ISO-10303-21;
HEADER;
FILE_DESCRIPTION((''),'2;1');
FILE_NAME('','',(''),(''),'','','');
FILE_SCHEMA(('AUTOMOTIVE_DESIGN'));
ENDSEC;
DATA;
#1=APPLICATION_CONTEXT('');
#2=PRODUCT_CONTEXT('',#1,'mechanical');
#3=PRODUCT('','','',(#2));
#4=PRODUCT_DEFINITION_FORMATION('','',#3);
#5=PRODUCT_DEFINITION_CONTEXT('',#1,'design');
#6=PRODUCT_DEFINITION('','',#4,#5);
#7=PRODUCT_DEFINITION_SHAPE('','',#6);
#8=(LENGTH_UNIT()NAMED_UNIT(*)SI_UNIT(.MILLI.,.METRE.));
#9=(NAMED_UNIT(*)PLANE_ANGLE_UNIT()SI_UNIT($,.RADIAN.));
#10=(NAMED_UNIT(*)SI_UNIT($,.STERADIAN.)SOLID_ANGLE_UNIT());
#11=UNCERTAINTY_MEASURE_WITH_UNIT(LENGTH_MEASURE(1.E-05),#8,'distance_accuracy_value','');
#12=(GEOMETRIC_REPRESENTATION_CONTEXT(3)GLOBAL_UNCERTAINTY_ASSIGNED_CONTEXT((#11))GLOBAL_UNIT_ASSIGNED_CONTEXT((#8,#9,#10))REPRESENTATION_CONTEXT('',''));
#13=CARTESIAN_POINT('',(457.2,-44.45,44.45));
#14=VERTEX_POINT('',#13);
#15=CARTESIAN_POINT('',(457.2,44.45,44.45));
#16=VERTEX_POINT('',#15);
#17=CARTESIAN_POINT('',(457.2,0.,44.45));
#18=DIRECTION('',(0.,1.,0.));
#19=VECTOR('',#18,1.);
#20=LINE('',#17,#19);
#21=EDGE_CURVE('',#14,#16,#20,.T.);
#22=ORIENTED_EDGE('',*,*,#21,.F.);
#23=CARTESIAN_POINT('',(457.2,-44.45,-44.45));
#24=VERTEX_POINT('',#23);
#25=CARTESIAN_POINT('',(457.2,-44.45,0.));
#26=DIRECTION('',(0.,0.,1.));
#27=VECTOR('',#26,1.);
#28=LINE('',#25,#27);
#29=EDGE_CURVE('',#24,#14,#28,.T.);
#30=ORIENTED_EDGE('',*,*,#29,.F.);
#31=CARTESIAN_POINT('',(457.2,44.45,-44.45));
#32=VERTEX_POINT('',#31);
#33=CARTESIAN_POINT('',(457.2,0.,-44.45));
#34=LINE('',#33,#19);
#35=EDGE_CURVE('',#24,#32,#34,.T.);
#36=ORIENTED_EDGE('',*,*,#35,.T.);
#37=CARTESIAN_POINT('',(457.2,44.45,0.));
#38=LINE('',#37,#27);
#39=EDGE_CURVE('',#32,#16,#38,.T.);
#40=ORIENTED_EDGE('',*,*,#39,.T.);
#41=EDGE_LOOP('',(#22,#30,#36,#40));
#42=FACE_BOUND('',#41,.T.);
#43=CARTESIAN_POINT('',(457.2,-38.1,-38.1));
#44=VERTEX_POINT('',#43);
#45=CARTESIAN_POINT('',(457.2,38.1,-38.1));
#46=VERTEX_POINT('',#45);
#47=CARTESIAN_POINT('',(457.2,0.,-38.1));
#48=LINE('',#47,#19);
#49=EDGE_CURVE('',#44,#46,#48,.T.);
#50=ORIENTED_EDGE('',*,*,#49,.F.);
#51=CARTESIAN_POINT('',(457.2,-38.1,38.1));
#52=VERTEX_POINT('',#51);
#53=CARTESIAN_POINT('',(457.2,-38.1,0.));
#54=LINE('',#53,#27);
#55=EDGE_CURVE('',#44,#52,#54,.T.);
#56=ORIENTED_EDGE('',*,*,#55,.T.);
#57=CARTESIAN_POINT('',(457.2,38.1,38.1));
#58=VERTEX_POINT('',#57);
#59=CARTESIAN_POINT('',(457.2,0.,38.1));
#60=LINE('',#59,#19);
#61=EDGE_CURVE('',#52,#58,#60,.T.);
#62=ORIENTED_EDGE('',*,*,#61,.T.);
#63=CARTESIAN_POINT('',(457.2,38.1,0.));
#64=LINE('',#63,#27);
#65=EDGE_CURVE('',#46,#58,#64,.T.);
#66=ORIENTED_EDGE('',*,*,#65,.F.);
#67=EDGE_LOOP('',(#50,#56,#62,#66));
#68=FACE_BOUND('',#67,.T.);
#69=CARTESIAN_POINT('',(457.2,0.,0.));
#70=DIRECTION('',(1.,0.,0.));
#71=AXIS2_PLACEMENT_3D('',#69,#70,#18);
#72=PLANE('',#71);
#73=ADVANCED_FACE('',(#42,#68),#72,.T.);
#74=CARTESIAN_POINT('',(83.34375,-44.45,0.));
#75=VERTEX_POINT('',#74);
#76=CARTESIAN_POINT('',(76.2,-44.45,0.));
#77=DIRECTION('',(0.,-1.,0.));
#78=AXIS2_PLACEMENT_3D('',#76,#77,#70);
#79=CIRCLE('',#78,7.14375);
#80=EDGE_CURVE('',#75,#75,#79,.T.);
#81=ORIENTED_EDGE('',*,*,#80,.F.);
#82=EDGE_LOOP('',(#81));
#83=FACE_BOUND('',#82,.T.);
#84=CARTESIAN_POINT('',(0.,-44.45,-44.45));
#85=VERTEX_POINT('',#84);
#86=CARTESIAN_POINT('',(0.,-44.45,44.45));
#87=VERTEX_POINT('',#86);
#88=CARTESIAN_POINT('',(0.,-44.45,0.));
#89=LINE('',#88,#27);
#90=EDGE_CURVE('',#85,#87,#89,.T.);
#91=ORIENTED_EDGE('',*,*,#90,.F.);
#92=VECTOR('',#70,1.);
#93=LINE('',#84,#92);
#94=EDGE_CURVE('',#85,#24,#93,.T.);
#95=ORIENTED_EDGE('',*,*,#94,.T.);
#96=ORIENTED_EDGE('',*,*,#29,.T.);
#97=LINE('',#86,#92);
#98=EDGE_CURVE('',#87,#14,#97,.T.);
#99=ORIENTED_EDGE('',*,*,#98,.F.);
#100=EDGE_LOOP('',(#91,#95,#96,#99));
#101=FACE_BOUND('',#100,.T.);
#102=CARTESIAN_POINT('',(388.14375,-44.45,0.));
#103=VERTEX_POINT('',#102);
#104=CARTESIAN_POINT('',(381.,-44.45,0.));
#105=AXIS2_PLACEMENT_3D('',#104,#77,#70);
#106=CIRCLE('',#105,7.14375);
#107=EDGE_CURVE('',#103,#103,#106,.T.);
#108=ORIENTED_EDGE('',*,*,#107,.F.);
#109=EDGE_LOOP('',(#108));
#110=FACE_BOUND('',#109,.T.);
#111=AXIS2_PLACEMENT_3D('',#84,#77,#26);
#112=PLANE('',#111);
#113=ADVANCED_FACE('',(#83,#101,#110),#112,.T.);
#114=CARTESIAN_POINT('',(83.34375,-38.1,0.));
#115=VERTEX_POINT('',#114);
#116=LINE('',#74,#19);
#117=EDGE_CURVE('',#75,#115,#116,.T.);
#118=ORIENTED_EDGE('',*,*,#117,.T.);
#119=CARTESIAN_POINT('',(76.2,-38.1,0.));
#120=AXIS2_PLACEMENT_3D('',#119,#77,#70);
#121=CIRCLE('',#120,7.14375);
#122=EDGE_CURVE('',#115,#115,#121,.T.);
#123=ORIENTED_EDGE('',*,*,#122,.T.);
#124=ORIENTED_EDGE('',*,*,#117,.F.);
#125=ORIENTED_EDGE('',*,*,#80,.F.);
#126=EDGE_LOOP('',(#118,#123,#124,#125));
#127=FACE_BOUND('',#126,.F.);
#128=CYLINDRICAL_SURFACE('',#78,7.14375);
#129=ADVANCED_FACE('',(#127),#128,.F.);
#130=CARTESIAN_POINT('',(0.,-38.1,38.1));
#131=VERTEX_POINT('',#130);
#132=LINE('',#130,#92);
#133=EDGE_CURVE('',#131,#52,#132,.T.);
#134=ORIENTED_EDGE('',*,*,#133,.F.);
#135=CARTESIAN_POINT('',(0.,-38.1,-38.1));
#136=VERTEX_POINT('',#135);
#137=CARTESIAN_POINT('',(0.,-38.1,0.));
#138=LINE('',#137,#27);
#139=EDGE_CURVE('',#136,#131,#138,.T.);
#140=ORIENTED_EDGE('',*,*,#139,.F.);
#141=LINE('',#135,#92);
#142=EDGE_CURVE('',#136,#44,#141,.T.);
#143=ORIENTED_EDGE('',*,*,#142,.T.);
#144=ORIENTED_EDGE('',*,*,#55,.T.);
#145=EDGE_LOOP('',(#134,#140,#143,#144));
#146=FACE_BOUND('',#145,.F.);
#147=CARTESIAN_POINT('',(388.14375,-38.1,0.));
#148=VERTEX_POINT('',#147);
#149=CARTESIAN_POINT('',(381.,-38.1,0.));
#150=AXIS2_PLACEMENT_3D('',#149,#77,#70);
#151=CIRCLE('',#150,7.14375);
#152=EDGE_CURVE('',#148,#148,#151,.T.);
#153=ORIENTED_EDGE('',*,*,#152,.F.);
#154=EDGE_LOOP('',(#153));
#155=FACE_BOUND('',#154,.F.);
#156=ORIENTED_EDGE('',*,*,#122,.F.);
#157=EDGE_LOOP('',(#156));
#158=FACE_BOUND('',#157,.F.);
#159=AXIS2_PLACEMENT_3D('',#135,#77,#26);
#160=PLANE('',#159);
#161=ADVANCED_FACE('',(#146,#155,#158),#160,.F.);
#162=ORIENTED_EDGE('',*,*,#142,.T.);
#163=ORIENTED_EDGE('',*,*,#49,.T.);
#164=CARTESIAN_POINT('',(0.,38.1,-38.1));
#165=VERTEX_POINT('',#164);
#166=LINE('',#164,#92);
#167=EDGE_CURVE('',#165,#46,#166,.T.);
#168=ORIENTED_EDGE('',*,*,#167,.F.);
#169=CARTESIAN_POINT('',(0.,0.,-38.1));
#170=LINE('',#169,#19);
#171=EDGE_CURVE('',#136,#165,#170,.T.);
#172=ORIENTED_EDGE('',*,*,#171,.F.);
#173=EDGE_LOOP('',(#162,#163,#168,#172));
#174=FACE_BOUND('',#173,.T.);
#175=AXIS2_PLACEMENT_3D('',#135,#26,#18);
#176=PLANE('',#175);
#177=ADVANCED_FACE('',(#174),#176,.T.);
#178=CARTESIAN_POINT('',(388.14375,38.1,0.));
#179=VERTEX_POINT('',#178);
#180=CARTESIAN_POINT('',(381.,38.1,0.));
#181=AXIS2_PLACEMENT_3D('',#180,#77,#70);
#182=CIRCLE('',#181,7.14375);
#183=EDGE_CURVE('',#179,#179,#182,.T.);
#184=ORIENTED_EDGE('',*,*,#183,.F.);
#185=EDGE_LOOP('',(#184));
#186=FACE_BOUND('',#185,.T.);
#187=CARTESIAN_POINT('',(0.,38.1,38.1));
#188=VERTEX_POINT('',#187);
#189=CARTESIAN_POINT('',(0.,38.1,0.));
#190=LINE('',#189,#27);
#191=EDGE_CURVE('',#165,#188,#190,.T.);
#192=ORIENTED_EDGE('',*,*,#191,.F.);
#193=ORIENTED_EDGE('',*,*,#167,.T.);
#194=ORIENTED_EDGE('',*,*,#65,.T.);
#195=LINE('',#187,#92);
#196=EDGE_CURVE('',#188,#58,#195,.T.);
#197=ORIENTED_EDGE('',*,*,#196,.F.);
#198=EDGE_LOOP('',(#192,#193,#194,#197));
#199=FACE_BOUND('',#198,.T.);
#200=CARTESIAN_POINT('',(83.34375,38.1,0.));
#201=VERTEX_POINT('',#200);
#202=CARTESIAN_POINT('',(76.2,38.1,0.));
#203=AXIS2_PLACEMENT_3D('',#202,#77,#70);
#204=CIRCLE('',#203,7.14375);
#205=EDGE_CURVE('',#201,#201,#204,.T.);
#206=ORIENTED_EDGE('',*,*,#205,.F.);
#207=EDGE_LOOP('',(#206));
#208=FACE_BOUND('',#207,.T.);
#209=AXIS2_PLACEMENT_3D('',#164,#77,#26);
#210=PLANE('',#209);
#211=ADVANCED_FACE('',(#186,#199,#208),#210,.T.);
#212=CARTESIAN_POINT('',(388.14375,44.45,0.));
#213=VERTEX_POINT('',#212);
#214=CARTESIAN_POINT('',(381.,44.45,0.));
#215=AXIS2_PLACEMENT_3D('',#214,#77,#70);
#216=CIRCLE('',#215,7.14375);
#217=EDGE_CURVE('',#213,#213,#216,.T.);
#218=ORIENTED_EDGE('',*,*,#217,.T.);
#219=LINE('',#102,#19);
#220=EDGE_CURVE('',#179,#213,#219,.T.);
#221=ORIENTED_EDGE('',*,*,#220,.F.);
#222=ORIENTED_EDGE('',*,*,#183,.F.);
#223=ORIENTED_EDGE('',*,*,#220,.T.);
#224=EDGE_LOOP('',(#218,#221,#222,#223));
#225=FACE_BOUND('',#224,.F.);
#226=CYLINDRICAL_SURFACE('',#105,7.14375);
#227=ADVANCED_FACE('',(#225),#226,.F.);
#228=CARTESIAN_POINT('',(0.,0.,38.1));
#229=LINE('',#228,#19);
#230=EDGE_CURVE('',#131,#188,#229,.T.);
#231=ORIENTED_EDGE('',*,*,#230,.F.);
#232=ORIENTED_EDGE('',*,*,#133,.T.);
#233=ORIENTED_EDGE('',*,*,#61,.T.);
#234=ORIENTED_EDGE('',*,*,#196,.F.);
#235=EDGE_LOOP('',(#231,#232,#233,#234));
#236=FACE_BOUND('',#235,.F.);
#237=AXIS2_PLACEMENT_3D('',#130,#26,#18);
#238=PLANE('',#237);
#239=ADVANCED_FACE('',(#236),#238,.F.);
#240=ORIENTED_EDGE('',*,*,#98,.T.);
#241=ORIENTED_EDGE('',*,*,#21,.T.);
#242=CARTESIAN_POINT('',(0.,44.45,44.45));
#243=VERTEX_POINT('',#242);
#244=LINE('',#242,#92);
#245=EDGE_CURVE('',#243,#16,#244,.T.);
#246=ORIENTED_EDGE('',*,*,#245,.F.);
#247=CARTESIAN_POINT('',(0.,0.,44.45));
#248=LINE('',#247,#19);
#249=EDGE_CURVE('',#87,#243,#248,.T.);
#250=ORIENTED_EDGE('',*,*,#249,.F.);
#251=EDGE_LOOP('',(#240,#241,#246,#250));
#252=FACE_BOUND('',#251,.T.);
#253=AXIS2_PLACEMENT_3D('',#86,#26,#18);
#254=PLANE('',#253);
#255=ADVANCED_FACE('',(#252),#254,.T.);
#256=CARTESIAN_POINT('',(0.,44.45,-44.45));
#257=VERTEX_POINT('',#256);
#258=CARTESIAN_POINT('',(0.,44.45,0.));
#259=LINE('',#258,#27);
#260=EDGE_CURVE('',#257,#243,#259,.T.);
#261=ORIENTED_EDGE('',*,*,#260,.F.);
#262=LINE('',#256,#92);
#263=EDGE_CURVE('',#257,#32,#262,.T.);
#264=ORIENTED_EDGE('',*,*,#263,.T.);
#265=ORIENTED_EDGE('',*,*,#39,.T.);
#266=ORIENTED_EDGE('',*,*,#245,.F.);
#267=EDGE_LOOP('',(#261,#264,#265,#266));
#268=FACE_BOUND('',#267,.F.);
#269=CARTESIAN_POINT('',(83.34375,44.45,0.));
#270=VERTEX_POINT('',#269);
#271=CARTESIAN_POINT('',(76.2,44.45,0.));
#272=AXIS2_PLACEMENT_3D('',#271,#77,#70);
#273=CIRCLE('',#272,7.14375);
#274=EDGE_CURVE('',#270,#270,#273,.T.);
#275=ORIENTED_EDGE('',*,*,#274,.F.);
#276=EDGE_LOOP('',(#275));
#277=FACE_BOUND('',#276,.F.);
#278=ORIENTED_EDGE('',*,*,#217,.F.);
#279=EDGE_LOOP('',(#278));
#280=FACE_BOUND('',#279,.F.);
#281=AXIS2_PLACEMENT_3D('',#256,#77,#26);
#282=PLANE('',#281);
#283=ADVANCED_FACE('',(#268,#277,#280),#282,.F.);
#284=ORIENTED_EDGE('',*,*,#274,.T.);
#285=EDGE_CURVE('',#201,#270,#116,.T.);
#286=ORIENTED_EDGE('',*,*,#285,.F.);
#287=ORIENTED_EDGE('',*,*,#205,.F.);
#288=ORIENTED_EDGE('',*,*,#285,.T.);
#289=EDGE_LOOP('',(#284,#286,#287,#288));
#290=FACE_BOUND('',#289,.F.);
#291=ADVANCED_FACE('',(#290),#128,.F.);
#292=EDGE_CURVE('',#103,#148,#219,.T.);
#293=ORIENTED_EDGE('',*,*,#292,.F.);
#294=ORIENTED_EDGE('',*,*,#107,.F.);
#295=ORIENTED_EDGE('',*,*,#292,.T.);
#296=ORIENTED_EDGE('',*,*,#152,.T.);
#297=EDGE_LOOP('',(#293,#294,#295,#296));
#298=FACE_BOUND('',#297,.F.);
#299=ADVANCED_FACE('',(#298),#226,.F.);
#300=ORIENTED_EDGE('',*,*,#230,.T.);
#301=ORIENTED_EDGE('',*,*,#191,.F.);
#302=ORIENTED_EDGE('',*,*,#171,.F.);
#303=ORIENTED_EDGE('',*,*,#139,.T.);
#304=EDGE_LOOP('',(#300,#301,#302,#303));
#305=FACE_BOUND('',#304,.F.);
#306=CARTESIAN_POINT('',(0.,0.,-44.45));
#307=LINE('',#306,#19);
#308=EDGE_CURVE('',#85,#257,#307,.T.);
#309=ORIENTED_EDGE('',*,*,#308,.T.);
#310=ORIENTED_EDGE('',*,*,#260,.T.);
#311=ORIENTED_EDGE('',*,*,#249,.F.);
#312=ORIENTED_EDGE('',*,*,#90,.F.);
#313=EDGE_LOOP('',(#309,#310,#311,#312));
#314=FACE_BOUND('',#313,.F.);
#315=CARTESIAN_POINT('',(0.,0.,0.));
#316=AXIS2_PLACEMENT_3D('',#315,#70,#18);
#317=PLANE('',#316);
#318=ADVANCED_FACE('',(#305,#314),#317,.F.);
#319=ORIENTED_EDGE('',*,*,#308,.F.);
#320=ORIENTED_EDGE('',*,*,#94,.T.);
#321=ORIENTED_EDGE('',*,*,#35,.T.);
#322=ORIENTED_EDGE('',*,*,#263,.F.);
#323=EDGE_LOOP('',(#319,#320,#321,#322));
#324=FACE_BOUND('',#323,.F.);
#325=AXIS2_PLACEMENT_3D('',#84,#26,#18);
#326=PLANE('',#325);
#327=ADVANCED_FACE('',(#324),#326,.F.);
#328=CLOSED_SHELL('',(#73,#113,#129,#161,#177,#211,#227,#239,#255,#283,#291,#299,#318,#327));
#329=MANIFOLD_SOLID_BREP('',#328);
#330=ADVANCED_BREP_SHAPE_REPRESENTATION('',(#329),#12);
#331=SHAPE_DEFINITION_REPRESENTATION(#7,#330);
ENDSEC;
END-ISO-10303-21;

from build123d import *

# Parameters (mm, degrees)
F0_W     = 88.9
F0_H     = 88.9
F0_W_2   = 76.2
F0_H_2   = 76.2
F1_DEPTH = 457.2
F2_R     = 7.14375
F3_DEPTH = 88.901


with BuildPart() as f1:
    # F0 (on Right) → F1 (new body)
    with BuildSketch(Plane.YZ):
        Rectangle(F0_W, F0_H)
        Rectangle(F0_W_2, F0_H_2, mode=Mode.SUBTRACT)
    extrude(amount=F1_DEPTH)

    # F2 (on face) → F3 (cut, through all)
    with BuildSketch(Plane.XZ.offset(44.45)):
        with Locations((381, 0)):
            Circle(F2_R)
        with Locations((76.2, 0)):
            Circle(F2_R)
    extrude(amount=-F3_DEPTH, mode=Mode.SUBTRACT)


solid = f1.part
